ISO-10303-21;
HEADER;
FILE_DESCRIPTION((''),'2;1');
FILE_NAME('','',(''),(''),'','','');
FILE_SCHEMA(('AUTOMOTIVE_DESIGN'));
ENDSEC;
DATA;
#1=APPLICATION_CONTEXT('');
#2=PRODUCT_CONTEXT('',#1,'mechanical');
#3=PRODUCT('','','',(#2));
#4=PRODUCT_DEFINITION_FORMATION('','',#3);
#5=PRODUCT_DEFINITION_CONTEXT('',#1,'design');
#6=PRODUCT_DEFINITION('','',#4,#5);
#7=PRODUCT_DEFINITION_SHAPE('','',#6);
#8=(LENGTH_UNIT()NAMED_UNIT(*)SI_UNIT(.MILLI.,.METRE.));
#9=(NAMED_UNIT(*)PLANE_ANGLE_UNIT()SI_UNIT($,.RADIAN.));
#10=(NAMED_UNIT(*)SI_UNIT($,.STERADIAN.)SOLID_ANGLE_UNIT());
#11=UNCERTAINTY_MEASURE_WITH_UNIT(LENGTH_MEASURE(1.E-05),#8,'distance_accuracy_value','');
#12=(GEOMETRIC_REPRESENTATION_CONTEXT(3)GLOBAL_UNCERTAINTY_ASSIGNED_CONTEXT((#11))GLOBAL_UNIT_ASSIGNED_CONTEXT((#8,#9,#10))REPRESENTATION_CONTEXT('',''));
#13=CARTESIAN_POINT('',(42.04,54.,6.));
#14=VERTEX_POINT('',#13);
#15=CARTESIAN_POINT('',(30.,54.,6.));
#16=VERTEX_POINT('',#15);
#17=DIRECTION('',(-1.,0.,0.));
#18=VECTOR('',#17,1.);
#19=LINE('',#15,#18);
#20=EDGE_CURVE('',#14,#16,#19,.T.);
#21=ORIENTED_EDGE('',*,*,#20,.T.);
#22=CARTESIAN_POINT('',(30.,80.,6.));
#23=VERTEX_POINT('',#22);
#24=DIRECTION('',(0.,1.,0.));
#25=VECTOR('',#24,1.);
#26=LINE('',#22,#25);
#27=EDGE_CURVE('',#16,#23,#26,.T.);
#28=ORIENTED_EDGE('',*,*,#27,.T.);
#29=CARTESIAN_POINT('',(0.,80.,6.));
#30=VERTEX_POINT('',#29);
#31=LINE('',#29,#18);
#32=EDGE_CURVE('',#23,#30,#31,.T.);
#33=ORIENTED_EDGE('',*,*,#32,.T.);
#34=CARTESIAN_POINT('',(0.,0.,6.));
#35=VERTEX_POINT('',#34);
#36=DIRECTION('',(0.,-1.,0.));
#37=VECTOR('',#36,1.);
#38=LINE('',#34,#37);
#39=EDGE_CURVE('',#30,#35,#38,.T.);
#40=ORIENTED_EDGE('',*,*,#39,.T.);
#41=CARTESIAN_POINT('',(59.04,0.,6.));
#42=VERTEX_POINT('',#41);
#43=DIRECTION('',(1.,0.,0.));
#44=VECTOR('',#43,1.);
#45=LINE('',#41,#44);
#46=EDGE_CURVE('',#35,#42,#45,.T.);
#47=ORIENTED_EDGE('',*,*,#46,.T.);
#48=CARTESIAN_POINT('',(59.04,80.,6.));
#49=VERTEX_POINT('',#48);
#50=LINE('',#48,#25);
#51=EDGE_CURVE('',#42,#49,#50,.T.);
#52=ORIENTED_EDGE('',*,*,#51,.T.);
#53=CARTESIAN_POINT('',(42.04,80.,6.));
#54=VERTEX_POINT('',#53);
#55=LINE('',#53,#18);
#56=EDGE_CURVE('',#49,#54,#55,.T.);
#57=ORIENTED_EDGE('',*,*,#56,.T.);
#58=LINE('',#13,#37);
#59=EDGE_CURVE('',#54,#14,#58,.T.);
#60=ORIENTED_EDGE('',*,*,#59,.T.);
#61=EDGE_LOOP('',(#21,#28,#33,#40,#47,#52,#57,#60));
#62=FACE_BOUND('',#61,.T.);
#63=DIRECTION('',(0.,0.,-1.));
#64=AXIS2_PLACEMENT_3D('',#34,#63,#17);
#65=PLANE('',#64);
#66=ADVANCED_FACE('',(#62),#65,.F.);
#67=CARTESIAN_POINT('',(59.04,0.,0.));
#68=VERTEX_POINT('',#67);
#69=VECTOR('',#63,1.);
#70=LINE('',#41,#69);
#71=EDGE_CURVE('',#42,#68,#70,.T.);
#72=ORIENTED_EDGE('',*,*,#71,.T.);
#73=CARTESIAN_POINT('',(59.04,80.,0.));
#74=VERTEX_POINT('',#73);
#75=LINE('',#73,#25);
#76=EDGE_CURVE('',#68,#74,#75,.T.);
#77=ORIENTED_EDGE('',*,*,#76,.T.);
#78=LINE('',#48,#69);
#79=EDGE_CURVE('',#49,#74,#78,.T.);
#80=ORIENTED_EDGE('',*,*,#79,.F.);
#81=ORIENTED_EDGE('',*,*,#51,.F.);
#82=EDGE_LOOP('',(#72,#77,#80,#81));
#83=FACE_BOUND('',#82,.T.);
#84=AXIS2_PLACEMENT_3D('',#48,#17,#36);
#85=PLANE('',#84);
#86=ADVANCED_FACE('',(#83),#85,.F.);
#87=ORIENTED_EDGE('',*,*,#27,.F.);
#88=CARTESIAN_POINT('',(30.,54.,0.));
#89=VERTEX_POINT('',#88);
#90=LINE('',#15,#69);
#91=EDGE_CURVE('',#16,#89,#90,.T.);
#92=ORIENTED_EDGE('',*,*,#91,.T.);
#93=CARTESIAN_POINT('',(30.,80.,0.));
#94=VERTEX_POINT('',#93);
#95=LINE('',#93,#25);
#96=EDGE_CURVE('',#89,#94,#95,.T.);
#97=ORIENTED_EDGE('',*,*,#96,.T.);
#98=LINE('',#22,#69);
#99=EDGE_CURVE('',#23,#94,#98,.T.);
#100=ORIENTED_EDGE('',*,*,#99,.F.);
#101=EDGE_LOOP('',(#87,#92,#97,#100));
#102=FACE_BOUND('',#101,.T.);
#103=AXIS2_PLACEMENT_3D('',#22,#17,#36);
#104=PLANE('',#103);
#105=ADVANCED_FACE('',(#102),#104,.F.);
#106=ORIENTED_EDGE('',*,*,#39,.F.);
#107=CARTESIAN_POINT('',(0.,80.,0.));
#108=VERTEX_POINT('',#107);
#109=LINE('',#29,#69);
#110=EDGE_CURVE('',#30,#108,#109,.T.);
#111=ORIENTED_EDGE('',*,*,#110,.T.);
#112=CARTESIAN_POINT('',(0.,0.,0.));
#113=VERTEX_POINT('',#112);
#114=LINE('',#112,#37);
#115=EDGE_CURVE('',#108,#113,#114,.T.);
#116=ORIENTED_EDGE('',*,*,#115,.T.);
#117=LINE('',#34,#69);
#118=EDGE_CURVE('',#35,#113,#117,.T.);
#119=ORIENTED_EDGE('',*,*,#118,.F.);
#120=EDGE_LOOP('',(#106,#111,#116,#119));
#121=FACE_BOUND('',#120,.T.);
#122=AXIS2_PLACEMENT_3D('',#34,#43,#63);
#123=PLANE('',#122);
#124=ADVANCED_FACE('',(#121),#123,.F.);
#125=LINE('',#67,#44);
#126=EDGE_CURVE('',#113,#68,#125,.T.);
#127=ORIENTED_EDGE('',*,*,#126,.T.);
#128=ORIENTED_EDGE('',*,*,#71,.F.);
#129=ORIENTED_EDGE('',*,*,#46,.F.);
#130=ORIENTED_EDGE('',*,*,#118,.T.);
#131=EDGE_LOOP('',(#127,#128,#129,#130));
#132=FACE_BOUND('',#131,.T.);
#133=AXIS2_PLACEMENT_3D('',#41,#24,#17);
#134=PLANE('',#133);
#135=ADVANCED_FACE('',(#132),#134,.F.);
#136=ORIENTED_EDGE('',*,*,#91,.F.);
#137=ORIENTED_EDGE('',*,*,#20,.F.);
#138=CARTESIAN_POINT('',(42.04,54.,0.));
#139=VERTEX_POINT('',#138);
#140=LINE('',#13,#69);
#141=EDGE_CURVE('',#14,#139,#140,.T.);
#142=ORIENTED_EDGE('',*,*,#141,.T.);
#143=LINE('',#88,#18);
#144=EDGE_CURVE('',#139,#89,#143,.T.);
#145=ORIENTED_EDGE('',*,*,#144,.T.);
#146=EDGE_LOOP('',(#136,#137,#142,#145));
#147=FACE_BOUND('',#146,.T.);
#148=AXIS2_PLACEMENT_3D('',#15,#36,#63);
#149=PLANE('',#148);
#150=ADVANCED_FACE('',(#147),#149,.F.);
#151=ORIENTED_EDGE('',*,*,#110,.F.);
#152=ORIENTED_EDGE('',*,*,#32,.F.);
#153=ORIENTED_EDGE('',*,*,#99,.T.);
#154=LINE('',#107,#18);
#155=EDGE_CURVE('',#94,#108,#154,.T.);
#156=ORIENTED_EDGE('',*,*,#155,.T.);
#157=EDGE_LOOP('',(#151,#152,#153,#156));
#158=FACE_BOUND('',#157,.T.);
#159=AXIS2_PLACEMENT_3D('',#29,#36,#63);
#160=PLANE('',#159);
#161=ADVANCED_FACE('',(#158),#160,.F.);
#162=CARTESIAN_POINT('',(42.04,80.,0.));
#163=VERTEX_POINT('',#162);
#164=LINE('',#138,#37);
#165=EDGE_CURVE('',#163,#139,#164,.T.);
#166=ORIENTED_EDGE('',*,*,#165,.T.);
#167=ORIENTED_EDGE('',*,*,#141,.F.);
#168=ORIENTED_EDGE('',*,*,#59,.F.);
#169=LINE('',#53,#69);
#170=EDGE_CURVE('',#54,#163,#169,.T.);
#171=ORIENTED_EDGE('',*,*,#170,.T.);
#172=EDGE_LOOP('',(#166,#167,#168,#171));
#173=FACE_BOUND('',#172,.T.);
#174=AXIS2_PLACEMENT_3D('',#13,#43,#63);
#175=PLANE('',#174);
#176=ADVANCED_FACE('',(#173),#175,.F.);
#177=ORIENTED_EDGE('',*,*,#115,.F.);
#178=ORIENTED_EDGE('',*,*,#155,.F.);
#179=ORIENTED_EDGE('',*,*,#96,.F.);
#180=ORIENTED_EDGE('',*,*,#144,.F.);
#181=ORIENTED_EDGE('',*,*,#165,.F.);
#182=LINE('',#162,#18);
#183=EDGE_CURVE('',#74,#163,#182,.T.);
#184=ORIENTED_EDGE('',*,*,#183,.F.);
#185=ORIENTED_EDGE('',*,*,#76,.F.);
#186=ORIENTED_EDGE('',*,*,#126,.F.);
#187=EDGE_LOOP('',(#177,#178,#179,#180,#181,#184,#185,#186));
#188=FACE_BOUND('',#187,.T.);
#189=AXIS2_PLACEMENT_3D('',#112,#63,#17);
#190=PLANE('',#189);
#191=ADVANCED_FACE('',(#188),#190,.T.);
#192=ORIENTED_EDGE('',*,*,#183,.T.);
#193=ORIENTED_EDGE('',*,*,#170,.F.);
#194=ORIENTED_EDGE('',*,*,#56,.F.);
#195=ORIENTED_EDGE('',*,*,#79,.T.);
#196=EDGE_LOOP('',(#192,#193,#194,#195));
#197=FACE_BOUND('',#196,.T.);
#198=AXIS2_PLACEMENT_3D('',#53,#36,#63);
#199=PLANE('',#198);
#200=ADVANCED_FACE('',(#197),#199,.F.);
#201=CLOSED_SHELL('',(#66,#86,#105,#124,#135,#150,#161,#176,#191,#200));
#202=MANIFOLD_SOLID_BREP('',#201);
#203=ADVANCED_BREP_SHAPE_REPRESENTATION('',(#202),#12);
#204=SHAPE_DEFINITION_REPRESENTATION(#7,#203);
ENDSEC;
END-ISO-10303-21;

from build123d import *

# Parameters (mm, degrees)
BOSS_EXTRUDE1_DEPTH = 6


with BuildPart() as part:
    # Sketch1 → Boss-Extrude1 (new body)
    with BuildSketch(Plane.XY):
        Polygon((0, 0), (0, 80), (30, 80), (30, 54), (42.04, 54), (42.04, 80), (59.04, 80), (59.04, 0), align=None)
    extrude(amount=BOSS_EXTRUDE1_DEPTH)


solid = part.part
